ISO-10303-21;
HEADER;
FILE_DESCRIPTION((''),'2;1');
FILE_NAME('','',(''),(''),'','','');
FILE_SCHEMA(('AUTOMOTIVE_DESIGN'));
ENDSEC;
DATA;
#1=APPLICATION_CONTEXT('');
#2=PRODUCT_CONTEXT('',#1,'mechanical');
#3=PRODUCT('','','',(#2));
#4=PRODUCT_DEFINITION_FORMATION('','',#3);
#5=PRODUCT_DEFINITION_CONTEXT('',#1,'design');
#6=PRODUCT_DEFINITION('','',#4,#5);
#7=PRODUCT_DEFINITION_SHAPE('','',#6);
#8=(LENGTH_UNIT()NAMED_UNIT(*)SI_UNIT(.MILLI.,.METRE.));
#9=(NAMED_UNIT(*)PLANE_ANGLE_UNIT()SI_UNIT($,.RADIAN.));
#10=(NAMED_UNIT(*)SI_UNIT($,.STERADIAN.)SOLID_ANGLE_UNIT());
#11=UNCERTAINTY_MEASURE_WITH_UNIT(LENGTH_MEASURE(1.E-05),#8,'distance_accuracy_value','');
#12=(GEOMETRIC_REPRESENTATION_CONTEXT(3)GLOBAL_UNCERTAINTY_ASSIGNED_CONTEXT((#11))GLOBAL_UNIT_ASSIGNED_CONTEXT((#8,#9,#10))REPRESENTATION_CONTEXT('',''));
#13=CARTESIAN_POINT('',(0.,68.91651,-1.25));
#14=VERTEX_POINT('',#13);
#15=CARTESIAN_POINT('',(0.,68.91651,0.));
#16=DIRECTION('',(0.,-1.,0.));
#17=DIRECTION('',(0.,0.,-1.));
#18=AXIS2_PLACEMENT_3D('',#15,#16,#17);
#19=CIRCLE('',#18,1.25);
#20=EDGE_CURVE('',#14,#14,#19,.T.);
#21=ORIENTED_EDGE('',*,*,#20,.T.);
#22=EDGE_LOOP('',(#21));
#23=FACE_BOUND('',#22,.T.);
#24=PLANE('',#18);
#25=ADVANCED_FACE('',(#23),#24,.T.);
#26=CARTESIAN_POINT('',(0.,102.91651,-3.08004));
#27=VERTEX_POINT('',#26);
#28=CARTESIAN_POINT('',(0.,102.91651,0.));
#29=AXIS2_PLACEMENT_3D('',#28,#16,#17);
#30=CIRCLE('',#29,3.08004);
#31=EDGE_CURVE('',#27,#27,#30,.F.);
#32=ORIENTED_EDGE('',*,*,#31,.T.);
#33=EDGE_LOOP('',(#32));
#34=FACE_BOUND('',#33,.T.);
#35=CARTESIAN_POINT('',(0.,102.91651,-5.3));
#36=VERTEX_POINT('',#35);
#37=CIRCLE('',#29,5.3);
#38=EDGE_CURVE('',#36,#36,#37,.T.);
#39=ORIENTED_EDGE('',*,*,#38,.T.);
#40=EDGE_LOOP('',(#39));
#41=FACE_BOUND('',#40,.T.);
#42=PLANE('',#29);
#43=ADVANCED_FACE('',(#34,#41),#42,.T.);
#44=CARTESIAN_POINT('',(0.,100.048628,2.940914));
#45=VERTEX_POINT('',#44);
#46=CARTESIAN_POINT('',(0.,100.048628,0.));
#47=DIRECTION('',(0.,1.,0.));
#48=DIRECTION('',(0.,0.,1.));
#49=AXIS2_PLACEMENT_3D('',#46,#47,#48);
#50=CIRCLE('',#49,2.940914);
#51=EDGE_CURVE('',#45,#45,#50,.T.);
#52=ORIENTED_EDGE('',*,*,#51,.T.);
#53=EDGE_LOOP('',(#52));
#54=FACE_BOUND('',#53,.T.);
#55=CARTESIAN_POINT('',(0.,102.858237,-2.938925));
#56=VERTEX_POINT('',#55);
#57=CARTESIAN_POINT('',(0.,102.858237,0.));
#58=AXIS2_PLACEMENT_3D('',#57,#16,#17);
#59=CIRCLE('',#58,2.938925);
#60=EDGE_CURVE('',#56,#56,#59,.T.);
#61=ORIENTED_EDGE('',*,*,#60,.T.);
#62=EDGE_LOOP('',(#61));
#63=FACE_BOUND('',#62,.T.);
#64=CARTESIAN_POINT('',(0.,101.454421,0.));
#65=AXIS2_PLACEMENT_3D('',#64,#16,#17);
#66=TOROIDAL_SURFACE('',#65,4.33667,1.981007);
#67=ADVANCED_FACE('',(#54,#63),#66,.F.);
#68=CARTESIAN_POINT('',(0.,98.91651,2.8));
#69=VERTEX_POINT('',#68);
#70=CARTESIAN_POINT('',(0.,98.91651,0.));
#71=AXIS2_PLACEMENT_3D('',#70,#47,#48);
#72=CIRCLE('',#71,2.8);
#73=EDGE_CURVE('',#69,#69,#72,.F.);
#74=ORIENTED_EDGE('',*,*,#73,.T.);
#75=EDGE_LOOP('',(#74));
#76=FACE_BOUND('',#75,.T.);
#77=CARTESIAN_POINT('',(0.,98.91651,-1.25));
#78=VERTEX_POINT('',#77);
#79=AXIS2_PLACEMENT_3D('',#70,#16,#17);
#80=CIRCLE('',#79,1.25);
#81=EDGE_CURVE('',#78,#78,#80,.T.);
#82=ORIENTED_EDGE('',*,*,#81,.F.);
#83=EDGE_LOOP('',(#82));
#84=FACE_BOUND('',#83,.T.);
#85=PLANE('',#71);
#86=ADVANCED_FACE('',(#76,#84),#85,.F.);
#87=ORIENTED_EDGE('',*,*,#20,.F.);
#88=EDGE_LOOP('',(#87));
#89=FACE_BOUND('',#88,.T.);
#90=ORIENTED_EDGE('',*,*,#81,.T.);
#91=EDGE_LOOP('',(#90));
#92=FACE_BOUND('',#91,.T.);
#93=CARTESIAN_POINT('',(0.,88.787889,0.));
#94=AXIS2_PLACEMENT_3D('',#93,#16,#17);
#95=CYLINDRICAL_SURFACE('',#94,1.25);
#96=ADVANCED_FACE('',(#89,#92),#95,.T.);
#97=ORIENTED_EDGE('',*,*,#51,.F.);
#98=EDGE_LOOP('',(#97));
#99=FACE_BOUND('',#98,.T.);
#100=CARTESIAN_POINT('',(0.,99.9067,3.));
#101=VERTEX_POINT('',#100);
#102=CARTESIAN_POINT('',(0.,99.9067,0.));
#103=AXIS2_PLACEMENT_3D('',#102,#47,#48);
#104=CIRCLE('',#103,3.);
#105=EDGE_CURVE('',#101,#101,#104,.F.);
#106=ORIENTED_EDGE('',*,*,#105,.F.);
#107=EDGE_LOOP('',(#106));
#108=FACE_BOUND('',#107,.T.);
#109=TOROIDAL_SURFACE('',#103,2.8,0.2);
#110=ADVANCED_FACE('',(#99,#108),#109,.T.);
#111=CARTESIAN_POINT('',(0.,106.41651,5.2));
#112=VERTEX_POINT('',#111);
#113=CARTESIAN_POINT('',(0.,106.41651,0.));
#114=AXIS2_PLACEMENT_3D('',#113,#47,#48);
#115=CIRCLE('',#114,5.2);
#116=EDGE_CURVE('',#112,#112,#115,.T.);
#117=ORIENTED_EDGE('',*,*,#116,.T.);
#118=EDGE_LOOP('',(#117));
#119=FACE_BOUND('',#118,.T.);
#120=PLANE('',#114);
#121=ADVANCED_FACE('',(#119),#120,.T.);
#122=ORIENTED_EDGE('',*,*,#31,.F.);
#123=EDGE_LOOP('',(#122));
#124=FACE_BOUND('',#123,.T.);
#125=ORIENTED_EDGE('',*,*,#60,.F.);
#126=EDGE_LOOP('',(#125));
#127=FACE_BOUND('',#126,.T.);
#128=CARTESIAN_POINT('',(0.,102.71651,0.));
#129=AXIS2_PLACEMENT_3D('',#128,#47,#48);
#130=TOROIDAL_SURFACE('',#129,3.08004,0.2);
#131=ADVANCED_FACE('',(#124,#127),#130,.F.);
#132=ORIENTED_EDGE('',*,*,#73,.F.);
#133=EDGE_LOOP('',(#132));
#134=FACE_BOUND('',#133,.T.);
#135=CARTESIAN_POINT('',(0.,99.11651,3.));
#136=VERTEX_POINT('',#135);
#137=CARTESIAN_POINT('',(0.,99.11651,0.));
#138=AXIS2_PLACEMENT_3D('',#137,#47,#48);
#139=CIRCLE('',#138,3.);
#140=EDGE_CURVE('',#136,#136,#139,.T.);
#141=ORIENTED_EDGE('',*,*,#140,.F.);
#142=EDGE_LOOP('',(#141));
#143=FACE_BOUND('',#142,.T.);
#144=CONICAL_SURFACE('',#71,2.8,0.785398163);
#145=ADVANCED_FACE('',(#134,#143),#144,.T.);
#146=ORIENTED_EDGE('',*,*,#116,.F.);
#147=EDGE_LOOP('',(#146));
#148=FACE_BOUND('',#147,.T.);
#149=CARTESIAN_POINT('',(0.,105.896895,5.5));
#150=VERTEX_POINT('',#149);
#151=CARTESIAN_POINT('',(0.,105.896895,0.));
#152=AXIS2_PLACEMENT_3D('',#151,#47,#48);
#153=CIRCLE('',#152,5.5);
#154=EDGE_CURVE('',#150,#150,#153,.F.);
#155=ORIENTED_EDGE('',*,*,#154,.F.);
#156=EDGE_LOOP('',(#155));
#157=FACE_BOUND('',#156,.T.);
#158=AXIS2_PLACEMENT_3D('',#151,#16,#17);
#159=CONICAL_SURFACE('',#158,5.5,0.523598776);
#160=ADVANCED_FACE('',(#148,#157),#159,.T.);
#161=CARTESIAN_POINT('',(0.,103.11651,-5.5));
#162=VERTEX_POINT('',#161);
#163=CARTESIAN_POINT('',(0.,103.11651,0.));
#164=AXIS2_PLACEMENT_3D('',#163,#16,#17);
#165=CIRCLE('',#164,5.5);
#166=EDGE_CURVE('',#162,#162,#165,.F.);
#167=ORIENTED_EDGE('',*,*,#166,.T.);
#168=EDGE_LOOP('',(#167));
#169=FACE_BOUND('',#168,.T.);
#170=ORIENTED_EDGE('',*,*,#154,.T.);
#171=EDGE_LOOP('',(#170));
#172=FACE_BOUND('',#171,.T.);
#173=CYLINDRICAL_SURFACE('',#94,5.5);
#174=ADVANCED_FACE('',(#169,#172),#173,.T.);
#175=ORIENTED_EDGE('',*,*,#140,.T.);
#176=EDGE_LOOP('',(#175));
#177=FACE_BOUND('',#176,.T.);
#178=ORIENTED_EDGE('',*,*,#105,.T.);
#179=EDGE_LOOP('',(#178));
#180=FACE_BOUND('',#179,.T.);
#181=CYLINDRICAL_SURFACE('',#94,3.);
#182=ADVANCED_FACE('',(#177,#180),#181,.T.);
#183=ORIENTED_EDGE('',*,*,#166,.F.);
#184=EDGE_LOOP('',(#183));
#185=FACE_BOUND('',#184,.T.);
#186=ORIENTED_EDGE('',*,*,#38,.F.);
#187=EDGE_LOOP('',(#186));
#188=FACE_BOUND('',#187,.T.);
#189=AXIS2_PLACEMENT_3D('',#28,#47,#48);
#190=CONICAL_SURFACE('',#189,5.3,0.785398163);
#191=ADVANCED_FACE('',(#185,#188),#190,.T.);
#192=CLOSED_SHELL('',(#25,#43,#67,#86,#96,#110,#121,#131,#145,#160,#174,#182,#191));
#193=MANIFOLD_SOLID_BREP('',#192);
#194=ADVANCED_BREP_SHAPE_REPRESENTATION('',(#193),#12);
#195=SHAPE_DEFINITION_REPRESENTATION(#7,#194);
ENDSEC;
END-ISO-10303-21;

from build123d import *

# Parameters (mm, degrees)
SKETCH1_W      = 12.5
SKETCH1_H      = 300
CHAMFER1_SIZE  = 3
CHAMFER1_SIZE2 = 5.196152423
CHAMFER2_SIZE  = 2
CHAMFER3_SIZE  = 2
FILLET1_R      = 2
FILLET2_R      = 2
SCALE1_SCALE   = 0.1


with BuildPart() as part:
    # Sketch1 → Revolve1 (revolve)
    with BuildSketch(Plane.XY, mode=Mode.PRIVATE) as revolve1_sk:
        with Locations((6.25, -48.713790357)):
            Rectangle(SKETCH1_W, SKETCH1_H)
    revolve(revolve1_sk.sketch.rotate(Axis((0, 0, 0), (0, 1, 0)), 90), axis=Axis((0, 0, 0), (0, 1, 0)))

    # Sketch2 → Revolve2 (revolve)
    with BuildSketch(Plane.XY, mode=Mode.PRIVATE) as revolve2_sk:
        with BuildLine():
            Line((0, 101.286209643), (12.5, 101.286209643))
            Line((12.5, 101.286209643), (30, 101.286209643))
            Line((30, 101.286209643), (30, 112.044433041))
            ThreePointArc((30, 112.044433041), (23.556624576, 126.665321342), (30, 141.286209643))
            Line((30, 141.286209643), (55, 141.286209643))
            Line((55, 141.286209643), (55, 176.286209643))
            Line((55, 176.286209643), (0, 176.286209643))
            Line((0, 176.286209643), (0, 101.286209643))
        make_face()
    revolve(revolve2_sk.sketch.rotate(Axis((0, 0, 0), (0, 1, 0)), 90), axis=Axis((0, 0, 0), (0, 1, 0)))

    # Chamfer1
    chamfer1_edges = [part.edges().sort_by_distance(p)[0] for p in [
        (0, 176.286209643, 55),
    ]]
    chamfer1_side = [part.faces().sort_by_distance(p)[0] for p in [
        (0, 176.286209643, 0),
    ]]
    chamfer(chamfer1_edges, length=CHAMFER1_SIZE, length2=CHAMFER1_SIZE2, reference=chamfer1_side[0])

    # Chamfer2
    chamfer2_edges = [part.edges().sort_by_distance(p)[0] for p in [
        (0, 141.286209643, 55),
    ]]
    chamfer(chamfer2_edges, length=CHAMFER2_SIZE)

    # Chamfer3
    chamfer3_edges = [part.edges().sort_by_distance(p)[0] for p in [
        (0, 101.286209643, 30),
    ]]
    chamfer(chamfer3_edges, length=CHAMFER3_SIZE)

    # Fillet1
    fillet1_edges = [part.edges().sort_by_distance(p)[0] for p in [
        (0, 112.044433041, 30),
    ]]
    fillet(fillet1_edges, radius=FILLET1_R)

    # Fillet2
    fillet2_edges = [part.edges().sort_by_distance(p)[0] for p in [
        (0, 141.286209643, 30),
    ]]
    fillet(fillet2_edges, radius=FILLET2_R)


with BuildPart() as part_1:
    # Scale1: scaled about (0, 98.653209901, -1.6e-08)
    add(part.part.scale(SCALE1_SCALE).moved(Location((0, 88.787888911, -1.4e-08))))


solid = part_1.part
